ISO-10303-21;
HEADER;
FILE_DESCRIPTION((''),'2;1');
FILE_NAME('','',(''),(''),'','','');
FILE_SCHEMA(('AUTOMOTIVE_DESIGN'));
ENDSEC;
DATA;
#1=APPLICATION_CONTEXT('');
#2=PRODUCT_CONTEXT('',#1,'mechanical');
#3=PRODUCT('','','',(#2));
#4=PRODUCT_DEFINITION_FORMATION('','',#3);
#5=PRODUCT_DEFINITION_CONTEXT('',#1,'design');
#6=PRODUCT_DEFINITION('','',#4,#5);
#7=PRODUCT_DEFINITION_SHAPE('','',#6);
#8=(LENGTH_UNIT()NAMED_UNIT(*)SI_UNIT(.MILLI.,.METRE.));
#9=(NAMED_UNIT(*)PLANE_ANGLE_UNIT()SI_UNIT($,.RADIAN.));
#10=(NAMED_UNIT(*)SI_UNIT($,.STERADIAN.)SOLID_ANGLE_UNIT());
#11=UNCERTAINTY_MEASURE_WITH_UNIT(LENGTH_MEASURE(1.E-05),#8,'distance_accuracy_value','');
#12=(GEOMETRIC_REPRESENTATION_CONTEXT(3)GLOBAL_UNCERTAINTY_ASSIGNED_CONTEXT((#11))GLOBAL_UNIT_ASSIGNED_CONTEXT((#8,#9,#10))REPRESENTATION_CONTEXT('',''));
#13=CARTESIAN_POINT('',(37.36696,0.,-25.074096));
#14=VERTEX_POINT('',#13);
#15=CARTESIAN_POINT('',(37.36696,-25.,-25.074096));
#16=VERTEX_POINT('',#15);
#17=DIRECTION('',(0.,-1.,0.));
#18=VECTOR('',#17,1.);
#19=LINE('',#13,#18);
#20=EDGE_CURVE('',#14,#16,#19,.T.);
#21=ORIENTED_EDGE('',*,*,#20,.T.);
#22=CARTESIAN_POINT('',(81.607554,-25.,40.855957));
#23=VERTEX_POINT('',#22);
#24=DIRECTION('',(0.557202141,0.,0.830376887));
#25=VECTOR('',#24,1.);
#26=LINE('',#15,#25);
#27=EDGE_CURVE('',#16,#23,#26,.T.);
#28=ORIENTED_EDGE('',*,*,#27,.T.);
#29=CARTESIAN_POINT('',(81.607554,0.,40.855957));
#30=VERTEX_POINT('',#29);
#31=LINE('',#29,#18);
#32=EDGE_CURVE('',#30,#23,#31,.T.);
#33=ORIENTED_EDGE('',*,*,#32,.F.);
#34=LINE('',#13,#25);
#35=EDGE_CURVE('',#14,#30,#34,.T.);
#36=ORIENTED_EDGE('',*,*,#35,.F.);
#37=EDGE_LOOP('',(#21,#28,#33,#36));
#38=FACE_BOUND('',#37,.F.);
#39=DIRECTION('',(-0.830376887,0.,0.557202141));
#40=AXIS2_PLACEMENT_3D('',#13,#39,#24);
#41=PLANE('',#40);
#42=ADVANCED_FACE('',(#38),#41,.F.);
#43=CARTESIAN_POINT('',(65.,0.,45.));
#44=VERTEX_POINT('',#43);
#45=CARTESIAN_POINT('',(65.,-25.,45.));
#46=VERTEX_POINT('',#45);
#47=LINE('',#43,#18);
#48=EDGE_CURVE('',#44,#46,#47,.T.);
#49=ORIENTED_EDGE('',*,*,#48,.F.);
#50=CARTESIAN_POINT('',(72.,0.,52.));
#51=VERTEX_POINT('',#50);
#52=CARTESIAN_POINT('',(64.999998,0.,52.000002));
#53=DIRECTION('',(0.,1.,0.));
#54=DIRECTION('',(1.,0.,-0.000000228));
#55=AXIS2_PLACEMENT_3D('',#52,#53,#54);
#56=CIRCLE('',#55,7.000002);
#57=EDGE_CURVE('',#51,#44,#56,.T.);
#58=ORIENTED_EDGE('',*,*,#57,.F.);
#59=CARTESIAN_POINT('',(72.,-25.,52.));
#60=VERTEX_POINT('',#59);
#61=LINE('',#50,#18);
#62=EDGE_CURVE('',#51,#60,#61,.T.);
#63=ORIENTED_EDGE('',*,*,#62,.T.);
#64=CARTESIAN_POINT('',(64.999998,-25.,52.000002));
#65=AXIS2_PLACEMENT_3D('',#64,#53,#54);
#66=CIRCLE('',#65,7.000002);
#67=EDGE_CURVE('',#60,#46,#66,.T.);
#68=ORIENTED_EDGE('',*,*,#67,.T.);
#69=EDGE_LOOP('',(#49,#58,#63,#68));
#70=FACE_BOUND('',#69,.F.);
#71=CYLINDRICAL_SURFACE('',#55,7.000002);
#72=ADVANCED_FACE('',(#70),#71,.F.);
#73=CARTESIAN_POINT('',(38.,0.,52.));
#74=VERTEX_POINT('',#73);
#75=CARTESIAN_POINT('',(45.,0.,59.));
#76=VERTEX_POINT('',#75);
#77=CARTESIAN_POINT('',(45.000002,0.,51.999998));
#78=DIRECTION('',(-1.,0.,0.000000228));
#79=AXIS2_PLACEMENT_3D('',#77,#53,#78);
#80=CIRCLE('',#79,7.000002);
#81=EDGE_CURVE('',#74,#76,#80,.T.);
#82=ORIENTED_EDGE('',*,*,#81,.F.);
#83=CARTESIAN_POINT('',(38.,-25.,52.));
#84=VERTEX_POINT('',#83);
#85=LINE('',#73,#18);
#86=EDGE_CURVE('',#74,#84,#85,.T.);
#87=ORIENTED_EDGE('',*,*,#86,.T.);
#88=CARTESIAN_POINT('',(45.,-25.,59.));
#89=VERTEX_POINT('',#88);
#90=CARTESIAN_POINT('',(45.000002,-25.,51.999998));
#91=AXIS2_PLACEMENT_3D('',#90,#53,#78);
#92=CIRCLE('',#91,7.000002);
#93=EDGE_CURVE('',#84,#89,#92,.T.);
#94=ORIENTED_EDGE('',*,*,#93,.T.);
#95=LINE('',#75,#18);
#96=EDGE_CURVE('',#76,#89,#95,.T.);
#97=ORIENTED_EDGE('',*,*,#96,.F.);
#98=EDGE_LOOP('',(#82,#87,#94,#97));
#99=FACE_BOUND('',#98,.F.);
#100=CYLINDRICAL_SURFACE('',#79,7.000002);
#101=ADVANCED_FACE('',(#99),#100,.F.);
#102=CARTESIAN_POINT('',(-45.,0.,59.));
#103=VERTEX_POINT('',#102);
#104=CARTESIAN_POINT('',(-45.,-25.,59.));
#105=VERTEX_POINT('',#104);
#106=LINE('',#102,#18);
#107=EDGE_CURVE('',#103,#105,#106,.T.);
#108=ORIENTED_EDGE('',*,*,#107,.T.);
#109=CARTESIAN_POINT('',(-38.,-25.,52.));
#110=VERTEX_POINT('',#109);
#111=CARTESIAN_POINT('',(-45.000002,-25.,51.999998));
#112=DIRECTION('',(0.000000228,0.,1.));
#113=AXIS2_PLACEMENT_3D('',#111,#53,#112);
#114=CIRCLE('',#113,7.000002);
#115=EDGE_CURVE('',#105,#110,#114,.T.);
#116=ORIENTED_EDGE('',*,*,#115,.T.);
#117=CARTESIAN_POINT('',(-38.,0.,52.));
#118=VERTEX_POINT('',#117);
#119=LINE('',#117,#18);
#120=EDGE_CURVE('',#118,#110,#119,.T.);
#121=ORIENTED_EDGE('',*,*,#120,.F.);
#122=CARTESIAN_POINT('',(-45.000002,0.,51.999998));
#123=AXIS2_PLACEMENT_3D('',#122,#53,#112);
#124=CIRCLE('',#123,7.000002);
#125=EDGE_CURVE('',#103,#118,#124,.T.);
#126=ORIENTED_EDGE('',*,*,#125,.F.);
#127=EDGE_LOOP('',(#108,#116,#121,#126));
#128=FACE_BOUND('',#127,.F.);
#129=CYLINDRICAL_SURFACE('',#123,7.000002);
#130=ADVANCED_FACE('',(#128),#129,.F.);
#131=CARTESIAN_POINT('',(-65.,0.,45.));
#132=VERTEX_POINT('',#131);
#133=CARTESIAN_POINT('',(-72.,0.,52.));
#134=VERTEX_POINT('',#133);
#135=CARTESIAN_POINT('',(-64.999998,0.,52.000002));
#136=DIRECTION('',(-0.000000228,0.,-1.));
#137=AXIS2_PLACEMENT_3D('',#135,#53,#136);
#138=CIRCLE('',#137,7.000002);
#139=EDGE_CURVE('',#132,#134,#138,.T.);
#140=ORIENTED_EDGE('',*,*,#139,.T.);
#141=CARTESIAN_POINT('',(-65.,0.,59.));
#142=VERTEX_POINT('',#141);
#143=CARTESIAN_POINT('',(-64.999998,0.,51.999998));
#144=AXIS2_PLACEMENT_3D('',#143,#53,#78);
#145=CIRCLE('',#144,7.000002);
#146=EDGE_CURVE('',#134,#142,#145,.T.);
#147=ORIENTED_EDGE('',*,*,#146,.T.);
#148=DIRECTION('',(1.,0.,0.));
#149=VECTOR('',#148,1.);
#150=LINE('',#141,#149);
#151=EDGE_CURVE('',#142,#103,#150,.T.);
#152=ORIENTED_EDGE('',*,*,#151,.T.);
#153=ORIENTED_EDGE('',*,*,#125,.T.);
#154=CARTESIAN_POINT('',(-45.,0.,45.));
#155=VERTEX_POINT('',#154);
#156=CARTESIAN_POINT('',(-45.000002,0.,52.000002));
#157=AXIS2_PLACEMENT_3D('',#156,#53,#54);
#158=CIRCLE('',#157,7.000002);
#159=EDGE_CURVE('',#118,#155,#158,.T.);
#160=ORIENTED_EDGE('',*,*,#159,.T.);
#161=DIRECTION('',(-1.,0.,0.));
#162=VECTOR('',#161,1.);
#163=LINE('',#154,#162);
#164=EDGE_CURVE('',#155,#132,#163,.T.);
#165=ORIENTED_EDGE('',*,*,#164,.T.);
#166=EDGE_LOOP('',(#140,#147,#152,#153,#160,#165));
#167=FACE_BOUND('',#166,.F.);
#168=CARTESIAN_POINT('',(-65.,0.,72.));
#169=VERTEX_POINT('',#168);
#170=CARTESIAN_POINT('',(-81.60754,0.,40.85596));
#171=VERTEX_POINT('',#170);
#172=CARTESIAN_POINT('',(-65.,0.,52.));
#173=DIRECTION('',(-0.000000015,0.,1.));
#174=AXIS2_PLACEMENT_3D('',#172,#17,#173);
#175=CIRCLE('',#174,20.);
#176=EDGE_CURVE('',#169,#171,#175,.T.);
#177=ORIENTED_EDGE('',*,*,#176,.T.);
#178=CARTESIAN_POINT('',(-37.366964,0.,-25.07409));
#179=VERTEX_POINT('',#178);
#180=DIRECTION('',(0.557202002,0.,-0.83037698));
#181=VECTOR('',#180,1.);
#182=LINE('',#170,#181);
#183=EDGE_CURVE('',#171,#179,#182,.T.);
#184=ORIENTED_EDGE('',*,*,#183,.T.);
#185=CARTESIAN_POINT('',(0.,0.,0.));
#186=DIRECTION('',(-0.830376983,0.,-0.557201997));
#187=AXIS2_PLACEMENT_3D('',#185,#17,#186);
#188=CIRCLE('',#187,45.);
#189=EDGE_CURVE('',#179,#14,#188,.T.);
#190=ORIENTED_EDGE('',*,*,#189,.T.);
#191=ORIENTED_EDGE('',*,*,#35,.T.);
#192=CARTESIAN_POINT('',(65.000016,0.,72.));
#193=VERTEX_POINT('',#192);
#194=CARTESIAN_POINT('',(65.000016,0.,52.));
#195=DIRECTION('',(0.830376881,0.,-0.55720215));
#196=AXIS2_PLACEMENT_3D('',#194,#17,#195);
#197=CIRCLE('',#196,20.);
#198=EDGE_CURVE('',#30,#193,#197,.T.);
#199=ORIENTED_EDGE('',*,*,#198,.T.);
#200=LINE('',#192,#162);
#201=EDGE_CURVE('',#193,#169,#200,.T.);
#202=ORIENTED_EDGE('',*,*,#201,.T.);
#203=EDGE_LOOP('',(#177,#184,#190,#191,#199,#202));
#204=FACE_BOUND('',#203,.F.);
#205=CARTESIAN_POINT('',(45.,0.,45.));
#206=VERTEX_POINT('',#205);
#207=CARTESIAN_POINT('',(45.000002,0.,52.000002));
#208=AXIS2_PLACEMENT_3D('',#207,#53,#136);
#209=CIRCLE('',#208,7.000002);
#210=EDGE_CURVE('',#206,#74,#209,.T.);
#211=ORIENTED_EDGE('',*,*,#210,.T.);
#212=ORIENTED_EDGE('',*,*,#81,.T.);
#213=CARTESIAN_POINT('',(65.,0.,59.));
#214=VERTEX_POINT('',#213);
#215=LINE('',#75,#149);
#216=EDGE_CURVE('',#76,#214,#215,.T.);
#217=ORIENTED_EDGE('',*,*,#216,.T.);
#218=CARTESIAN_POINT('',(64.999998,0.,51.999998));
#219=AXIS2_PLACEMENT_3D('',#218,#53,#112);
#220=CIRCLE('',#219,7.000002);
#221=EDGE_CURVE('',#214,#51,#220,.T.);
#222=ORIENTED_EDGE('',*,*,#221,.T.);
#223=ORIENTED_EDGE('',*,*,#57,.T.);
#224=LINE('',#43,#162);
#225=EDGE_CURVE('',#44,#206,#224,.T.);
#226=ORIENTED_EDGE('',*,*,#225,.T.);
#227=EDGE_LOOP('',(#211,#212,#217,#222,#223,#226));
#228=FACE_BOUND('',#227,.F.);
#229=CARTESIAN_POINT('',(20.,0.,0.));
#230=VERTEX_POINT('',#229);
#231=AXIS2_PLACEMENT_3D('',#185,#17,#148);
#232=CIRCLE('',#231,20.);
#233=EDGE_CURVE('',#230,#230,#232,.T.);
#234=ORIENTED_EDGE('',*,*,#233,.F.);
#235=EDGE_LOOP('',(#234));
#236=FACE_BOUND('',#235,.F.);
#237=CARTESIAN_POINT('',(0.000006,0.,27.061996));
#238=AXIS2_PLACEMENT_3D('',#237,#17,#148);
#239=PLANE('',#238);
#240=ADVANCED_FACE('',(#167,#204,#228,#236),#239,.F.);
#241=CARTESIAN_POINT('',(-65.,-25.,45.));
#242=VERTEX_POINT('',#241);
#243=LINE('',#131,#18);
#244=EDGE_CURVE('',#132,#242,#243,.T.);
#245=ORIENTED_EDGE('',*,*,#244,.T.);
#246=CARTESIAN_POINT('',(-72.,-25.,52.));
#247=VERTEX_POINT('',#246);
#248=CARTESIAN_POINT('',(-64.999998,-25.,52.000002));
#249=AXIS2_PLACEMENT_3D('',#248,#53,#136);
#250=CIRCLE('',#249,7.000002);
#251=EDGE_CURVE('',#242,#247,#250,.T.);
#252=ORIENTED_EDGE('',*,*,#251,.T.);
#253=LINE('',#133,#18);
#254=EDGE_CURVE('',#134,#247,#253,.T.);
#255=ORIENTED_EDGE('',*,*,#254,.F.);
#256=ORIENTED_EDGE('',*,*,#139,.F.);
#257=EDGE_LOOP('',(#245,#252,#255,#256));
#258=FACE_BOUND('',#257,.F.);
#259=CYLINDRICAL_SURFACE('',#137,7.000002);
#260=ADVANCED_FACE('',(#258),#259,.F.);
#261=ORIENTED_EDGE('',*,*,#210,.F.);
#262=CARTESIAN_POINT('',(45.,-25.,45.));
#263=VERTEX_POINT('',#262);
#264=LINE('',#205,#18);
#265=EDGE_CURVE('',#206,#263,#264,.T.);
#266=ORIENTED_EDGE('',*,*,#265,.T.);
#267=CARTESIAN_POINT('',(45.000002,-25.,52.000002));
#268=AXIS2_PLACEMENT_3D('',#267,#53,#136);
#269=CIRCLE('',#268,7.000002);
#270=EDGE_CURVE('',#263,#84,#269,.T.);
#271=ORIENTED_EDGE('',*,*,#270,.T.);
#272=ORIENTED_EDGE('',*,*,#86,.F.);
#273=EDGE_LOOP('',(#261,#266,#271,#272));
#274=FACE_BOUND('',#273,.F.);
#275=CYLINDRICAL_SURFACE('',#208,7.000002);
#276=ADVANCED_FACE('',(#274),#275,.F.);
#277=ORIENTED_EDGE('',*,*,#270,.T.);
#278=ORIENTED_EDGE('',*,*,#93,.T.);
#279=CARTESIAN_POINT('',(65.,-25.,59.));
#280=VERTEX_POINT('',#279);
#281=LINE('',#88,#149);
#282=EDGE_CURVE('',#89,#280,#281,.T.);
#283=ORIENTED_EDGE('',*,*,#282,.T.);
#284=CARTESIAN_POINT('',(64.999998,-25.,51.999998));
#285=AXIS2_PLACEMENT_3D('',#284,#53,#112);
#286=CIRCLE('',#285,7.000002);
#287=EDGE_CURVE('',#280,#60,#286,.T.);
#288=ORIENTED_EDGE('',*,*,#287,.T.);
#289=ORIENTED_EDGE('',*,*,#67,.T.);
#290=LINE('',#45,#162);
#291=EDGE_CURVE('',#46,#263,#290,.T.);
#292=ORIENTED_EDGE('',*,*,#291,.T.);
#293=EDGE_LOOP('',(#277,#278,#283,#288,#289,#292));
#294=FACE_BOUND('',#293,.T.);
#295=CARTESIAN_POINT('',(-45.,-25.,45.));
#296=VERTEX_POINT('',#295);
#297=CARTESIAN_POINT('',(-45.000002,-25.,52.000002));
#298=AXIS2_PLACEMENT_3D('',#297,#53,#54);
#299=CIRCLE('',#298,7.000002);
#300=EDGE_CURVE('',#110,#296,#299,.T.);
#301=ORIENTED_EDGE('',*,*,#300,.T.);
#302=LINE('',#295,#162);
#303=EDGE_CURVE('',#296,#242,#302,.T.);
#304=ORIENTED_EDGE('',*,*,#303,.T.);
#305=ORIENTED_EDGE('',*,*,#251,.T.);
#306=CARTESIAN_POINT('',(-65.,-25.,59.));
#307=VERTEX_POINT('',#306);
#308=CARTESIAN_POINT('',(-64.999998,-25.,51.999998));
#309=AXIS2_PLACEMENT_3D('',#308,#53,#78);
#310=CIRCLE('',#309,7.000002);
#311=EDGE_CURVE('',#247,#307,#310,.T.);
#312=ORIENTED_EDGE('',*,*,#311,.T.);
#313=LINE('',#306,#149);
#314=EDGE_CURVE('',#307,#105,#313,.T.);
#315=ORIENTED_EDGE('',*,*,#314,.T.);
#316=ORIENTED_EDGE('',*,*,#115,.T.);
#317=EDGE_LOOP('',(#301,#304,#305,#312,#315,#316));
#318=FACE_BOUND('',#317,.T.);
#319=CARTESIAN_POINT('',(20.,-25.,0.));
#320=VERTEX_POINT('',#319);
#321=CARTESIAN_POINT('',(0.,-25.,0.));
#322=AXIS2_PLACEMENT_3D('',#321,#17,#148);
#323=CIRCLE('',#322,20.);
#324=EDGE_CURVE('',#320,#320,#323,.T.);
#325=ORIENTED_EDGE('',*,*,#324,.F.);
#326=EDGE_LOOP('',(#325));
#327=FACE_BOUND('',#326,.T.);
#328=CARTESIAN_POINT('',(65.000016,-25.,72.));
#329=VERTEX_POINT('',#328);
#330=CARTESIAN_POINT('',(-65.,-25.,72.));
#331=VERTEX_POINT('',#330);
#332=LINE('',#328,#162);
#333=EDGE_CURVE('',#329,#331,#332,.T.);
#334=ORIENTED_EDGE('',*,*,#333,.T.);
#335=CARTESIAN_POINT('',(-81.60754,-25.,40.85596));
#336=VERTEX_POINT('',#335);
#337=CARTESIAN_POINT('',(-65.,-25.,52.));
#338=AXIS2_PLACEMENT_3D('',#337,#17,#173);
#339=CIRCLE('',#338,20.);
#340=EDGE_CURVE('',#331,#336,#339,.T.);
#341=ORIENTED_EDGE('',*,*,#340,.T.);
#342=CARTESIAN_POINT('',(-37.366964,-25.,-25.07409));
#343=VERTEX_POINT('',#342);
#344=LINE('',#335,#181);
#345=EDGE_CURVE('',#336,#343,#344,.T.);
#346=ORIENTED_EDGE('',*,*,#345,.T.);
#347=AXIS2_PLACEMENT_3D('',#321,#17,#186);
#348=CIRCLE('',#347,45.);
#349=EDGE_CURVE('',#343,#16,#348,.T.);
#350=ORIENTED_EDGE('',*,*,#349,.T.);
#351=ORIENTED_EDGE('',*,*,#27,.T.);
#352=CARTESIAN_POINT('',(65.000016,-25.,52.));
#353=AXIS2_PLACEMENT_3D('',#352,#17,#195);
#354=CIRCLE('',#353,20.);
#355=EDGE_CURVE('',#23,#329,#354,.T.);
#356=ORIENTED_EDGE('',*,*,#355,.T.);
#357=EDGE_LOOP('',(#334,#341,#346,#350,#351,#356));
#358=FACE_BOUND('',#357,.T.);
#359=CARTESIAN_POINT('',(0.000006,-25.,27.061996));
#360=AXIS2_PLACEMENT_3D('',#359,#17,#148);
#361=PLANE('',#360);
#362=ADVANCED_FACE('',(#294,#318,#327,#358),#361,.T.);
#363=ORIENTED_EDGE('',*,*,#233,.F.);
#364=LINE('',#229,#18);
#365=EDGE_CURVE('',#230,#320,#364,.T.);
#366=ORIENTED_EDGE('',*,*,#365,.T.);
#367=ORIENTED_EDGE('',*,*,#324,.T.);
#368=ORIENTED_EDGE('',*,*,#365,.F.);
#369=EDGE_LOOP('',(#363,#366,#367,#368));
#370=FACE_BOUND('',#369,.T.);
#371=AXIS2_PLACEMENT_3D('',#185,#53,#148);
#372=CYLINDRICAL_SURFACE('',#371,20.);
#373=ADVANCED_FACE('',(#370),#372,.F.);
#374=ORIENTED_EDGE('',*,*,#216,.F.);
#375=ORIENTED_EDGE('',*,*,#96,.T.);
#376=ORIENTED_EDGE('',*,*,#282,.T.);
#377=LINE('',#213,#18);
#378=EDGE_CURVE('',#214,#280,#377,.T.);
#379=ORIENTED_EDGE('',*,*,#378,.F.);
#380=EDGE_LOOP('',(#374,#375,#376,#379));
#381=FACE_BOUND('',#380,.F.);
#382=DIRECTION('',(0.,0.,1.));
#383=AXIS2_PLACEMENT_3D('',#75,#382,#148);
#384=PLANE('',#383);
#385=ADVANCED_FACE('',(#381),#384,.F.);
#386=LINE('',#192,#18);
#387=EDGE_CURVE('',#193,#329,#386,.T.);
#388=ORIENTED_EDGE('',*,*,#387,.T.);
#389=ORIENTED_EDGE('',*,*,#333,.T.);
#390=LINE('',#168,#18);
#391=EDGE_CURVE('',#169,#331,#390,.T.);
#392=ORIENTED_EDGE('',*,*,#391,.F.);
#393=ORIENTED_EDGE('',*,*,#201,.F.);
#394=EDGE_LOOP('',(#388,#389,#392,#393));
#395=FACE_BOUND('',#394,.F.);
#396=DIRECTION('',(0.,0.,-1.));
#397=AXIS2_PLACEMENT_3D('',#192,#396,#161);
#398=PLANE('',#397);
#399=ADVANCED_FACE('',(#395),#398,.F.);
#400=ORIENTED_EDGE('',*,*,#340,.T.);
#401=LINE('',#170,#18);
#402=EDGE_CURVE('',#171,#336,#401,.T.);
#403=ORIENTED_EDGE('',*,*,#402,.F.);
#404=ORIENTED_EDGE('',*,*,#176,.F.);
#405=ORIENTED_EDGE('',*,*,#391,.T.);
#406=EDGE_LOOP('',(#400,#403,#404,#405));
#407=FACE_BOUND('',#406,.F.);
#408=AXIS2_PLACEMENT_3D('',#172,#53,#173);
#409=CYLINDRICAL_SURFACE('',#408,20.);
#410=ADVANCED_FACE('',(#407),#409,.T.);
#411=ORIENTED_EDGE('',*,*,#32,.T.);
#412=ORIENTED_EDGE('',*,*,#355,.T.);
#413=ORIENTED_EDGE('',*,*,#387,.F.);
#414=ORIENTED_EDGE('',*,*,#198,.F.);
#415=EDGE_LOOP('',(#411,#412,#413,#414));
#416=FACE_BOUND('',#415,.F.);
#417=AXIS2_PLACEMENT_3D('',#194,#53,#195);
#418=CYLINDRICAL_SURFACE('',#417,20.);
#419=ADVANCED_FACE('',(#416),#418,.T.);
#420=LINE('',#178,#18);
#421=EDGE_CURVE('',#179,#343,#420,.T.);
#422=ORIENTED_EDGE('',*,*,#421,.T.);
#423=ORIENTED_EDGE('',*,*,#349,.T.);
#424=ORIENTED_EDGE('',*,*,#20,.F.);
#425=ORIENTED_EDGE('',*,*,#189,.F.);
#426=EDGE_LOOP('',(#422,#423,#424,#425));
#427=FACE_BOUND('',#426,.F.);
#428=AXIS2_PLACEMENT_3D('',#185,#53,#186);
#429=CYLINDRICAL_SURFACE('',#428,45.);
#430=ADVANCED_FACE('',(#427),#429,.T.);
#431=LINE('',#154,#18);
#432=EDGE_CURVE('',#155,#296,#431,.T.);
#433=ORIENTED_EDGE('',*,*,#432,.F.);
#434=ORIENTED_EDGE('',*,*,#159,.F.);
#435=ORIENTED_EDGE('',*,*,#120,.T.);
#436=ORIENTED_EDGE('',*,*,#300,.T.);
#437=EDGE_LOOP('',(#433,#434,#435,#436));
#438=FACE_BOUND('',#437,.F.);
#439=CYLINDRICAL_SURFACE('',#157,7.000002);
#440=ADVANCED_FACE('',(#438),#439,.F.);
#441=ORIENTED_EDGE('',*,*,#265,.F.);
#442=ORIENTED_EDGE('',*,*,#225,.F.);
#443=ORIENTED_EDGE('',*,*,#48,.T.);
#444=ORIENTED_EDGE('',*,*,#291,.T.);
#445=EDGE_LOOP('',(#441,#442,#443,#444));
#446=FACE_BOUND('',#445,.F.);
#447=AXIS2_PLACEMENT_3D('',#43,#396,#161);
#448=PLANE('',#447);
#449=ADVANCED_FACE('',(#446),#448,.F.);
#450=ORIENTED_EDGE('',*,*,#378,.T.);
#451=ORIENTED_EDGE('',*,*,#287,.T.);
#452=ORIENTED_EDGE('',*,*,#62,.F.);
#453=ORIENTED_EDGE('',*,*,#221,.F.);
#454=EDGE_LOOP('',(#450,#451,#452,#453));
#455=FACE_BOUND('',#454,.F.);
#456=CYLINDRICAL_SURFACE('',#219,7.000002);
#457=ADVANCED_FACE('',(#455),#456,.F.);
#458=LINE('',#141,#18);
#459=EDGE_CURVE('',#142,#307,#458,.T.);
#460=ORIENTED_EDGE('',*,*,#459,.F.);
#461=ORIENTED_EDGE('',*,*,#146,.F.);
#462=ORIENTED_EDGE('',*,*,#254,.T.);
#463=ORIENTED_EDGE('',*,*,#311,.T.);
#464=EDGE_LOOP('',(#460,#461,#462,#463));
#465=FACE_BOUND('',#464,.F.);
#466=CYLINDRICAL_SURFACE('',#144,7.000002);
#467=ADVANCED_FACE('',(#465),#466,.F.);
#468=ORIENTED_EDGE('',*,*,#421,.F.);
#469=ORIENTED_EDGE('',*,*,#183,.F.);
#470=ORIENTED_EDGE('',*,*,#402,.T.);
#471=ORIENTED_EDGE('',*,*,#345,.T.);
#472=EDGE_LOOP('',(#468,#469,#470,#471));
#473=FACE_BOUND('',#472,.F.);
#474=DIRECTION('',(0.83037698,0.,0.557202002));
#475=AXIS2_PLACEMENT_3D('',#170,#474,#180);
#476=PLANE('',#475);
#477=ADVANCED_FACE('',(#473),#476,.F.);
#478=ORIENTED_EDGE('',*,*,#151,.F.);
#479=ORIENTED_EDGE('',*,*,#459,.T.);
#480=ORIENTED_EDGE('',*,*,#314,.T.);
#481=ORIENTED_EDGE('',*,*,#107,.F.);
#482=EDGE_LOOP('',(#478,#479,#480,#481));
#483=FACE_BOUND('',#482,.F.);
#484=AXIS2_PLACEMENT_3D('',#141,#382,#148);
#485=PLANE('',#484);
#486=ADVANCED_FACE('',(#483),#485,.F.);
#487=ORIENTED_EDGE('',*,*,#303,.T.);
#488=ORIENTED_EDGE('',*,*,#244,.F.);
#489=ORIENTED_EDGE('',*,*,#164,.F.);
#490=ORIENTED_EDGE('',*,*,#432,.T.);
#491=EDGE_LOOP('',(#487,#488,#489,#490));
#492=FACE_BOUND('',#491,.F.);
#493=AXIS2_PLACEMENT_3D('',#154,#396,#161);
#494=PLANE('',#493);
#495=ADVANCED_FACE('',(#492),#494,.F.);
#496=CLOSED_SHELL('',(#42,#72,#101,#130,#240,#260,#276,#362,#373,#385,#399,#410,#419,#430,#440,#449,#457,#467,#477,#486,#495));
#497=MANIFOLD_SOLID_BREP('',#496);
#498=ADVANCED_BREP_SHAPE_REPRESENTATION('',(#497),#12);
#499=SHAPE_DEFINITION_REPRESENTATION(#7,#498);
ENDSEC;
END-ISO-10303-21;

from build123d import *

# Parameters (mm, degrees)
F0_R     = 20
F1_DEPTH = 25


with BuildPart() as f1:
    # F0 (on Front) → F1 (new body)
    with BuildSketch(Plane.XZ):
        with BuildLine():
            Line((-81.60754, 40.85596), (-37.366964, -25.07409))
            ThreePointArc((-37.366964, -25.07409), (-4e-06, -45), (37.36696, -25.074096))
            Line((37.36696, -25.074096), (81.607554, 40.855957))
            ThreePointArc((81.607554, 40.855957), (82.647691, 61.41061), (65.000016, 72))
            Line((65.000016, 72), (-65, 72))
            ThreePointArc((-65, 72), (-82.647674, 61.410611), (-81.60754, 40.85596))
        make_face()
        Circle(F0_R, mode=Mode.SUBTRACT)
        with BuildLine():
            ThreePointArc((-72, 52), (-69.949747, 56.949747), (-65, 59))
            Line((-65, 59), (-45, 59))
            ThreePointArc((-45, 59), (-40.050253, 56.949747), (-38, 52))
            ThreePointArc((-38, 52), (-40.050253, 47.050253), (-45, 45))
            Line((-45, 45), (-65, 45))
            ThreePointArc((-65, 45), (-69.949747, 47.050253), (-72, 52))
        make_face(mode=Mode.SUBTRACT)
        with BuildLine():
            Line((65, 45), (45, 45))
            ThreePointArc((45, 45), (40.050253, 47.050253), (38, 52))
            ThreePointArc((38, 52), (40.050253, 56.949747), (45, 59))
            Line((45, 59), (65, 59))
            ThreePointArc((65, 59), (69.949747, 56.949747), (72, 52))
            ThreePointArc((72, 52), (69.949747, 47.050253), (65, 45))
        make_face(mode=Mode.SUBTRACT)
    extrude(amount=F1_DEPTH)


solid = f1.part
